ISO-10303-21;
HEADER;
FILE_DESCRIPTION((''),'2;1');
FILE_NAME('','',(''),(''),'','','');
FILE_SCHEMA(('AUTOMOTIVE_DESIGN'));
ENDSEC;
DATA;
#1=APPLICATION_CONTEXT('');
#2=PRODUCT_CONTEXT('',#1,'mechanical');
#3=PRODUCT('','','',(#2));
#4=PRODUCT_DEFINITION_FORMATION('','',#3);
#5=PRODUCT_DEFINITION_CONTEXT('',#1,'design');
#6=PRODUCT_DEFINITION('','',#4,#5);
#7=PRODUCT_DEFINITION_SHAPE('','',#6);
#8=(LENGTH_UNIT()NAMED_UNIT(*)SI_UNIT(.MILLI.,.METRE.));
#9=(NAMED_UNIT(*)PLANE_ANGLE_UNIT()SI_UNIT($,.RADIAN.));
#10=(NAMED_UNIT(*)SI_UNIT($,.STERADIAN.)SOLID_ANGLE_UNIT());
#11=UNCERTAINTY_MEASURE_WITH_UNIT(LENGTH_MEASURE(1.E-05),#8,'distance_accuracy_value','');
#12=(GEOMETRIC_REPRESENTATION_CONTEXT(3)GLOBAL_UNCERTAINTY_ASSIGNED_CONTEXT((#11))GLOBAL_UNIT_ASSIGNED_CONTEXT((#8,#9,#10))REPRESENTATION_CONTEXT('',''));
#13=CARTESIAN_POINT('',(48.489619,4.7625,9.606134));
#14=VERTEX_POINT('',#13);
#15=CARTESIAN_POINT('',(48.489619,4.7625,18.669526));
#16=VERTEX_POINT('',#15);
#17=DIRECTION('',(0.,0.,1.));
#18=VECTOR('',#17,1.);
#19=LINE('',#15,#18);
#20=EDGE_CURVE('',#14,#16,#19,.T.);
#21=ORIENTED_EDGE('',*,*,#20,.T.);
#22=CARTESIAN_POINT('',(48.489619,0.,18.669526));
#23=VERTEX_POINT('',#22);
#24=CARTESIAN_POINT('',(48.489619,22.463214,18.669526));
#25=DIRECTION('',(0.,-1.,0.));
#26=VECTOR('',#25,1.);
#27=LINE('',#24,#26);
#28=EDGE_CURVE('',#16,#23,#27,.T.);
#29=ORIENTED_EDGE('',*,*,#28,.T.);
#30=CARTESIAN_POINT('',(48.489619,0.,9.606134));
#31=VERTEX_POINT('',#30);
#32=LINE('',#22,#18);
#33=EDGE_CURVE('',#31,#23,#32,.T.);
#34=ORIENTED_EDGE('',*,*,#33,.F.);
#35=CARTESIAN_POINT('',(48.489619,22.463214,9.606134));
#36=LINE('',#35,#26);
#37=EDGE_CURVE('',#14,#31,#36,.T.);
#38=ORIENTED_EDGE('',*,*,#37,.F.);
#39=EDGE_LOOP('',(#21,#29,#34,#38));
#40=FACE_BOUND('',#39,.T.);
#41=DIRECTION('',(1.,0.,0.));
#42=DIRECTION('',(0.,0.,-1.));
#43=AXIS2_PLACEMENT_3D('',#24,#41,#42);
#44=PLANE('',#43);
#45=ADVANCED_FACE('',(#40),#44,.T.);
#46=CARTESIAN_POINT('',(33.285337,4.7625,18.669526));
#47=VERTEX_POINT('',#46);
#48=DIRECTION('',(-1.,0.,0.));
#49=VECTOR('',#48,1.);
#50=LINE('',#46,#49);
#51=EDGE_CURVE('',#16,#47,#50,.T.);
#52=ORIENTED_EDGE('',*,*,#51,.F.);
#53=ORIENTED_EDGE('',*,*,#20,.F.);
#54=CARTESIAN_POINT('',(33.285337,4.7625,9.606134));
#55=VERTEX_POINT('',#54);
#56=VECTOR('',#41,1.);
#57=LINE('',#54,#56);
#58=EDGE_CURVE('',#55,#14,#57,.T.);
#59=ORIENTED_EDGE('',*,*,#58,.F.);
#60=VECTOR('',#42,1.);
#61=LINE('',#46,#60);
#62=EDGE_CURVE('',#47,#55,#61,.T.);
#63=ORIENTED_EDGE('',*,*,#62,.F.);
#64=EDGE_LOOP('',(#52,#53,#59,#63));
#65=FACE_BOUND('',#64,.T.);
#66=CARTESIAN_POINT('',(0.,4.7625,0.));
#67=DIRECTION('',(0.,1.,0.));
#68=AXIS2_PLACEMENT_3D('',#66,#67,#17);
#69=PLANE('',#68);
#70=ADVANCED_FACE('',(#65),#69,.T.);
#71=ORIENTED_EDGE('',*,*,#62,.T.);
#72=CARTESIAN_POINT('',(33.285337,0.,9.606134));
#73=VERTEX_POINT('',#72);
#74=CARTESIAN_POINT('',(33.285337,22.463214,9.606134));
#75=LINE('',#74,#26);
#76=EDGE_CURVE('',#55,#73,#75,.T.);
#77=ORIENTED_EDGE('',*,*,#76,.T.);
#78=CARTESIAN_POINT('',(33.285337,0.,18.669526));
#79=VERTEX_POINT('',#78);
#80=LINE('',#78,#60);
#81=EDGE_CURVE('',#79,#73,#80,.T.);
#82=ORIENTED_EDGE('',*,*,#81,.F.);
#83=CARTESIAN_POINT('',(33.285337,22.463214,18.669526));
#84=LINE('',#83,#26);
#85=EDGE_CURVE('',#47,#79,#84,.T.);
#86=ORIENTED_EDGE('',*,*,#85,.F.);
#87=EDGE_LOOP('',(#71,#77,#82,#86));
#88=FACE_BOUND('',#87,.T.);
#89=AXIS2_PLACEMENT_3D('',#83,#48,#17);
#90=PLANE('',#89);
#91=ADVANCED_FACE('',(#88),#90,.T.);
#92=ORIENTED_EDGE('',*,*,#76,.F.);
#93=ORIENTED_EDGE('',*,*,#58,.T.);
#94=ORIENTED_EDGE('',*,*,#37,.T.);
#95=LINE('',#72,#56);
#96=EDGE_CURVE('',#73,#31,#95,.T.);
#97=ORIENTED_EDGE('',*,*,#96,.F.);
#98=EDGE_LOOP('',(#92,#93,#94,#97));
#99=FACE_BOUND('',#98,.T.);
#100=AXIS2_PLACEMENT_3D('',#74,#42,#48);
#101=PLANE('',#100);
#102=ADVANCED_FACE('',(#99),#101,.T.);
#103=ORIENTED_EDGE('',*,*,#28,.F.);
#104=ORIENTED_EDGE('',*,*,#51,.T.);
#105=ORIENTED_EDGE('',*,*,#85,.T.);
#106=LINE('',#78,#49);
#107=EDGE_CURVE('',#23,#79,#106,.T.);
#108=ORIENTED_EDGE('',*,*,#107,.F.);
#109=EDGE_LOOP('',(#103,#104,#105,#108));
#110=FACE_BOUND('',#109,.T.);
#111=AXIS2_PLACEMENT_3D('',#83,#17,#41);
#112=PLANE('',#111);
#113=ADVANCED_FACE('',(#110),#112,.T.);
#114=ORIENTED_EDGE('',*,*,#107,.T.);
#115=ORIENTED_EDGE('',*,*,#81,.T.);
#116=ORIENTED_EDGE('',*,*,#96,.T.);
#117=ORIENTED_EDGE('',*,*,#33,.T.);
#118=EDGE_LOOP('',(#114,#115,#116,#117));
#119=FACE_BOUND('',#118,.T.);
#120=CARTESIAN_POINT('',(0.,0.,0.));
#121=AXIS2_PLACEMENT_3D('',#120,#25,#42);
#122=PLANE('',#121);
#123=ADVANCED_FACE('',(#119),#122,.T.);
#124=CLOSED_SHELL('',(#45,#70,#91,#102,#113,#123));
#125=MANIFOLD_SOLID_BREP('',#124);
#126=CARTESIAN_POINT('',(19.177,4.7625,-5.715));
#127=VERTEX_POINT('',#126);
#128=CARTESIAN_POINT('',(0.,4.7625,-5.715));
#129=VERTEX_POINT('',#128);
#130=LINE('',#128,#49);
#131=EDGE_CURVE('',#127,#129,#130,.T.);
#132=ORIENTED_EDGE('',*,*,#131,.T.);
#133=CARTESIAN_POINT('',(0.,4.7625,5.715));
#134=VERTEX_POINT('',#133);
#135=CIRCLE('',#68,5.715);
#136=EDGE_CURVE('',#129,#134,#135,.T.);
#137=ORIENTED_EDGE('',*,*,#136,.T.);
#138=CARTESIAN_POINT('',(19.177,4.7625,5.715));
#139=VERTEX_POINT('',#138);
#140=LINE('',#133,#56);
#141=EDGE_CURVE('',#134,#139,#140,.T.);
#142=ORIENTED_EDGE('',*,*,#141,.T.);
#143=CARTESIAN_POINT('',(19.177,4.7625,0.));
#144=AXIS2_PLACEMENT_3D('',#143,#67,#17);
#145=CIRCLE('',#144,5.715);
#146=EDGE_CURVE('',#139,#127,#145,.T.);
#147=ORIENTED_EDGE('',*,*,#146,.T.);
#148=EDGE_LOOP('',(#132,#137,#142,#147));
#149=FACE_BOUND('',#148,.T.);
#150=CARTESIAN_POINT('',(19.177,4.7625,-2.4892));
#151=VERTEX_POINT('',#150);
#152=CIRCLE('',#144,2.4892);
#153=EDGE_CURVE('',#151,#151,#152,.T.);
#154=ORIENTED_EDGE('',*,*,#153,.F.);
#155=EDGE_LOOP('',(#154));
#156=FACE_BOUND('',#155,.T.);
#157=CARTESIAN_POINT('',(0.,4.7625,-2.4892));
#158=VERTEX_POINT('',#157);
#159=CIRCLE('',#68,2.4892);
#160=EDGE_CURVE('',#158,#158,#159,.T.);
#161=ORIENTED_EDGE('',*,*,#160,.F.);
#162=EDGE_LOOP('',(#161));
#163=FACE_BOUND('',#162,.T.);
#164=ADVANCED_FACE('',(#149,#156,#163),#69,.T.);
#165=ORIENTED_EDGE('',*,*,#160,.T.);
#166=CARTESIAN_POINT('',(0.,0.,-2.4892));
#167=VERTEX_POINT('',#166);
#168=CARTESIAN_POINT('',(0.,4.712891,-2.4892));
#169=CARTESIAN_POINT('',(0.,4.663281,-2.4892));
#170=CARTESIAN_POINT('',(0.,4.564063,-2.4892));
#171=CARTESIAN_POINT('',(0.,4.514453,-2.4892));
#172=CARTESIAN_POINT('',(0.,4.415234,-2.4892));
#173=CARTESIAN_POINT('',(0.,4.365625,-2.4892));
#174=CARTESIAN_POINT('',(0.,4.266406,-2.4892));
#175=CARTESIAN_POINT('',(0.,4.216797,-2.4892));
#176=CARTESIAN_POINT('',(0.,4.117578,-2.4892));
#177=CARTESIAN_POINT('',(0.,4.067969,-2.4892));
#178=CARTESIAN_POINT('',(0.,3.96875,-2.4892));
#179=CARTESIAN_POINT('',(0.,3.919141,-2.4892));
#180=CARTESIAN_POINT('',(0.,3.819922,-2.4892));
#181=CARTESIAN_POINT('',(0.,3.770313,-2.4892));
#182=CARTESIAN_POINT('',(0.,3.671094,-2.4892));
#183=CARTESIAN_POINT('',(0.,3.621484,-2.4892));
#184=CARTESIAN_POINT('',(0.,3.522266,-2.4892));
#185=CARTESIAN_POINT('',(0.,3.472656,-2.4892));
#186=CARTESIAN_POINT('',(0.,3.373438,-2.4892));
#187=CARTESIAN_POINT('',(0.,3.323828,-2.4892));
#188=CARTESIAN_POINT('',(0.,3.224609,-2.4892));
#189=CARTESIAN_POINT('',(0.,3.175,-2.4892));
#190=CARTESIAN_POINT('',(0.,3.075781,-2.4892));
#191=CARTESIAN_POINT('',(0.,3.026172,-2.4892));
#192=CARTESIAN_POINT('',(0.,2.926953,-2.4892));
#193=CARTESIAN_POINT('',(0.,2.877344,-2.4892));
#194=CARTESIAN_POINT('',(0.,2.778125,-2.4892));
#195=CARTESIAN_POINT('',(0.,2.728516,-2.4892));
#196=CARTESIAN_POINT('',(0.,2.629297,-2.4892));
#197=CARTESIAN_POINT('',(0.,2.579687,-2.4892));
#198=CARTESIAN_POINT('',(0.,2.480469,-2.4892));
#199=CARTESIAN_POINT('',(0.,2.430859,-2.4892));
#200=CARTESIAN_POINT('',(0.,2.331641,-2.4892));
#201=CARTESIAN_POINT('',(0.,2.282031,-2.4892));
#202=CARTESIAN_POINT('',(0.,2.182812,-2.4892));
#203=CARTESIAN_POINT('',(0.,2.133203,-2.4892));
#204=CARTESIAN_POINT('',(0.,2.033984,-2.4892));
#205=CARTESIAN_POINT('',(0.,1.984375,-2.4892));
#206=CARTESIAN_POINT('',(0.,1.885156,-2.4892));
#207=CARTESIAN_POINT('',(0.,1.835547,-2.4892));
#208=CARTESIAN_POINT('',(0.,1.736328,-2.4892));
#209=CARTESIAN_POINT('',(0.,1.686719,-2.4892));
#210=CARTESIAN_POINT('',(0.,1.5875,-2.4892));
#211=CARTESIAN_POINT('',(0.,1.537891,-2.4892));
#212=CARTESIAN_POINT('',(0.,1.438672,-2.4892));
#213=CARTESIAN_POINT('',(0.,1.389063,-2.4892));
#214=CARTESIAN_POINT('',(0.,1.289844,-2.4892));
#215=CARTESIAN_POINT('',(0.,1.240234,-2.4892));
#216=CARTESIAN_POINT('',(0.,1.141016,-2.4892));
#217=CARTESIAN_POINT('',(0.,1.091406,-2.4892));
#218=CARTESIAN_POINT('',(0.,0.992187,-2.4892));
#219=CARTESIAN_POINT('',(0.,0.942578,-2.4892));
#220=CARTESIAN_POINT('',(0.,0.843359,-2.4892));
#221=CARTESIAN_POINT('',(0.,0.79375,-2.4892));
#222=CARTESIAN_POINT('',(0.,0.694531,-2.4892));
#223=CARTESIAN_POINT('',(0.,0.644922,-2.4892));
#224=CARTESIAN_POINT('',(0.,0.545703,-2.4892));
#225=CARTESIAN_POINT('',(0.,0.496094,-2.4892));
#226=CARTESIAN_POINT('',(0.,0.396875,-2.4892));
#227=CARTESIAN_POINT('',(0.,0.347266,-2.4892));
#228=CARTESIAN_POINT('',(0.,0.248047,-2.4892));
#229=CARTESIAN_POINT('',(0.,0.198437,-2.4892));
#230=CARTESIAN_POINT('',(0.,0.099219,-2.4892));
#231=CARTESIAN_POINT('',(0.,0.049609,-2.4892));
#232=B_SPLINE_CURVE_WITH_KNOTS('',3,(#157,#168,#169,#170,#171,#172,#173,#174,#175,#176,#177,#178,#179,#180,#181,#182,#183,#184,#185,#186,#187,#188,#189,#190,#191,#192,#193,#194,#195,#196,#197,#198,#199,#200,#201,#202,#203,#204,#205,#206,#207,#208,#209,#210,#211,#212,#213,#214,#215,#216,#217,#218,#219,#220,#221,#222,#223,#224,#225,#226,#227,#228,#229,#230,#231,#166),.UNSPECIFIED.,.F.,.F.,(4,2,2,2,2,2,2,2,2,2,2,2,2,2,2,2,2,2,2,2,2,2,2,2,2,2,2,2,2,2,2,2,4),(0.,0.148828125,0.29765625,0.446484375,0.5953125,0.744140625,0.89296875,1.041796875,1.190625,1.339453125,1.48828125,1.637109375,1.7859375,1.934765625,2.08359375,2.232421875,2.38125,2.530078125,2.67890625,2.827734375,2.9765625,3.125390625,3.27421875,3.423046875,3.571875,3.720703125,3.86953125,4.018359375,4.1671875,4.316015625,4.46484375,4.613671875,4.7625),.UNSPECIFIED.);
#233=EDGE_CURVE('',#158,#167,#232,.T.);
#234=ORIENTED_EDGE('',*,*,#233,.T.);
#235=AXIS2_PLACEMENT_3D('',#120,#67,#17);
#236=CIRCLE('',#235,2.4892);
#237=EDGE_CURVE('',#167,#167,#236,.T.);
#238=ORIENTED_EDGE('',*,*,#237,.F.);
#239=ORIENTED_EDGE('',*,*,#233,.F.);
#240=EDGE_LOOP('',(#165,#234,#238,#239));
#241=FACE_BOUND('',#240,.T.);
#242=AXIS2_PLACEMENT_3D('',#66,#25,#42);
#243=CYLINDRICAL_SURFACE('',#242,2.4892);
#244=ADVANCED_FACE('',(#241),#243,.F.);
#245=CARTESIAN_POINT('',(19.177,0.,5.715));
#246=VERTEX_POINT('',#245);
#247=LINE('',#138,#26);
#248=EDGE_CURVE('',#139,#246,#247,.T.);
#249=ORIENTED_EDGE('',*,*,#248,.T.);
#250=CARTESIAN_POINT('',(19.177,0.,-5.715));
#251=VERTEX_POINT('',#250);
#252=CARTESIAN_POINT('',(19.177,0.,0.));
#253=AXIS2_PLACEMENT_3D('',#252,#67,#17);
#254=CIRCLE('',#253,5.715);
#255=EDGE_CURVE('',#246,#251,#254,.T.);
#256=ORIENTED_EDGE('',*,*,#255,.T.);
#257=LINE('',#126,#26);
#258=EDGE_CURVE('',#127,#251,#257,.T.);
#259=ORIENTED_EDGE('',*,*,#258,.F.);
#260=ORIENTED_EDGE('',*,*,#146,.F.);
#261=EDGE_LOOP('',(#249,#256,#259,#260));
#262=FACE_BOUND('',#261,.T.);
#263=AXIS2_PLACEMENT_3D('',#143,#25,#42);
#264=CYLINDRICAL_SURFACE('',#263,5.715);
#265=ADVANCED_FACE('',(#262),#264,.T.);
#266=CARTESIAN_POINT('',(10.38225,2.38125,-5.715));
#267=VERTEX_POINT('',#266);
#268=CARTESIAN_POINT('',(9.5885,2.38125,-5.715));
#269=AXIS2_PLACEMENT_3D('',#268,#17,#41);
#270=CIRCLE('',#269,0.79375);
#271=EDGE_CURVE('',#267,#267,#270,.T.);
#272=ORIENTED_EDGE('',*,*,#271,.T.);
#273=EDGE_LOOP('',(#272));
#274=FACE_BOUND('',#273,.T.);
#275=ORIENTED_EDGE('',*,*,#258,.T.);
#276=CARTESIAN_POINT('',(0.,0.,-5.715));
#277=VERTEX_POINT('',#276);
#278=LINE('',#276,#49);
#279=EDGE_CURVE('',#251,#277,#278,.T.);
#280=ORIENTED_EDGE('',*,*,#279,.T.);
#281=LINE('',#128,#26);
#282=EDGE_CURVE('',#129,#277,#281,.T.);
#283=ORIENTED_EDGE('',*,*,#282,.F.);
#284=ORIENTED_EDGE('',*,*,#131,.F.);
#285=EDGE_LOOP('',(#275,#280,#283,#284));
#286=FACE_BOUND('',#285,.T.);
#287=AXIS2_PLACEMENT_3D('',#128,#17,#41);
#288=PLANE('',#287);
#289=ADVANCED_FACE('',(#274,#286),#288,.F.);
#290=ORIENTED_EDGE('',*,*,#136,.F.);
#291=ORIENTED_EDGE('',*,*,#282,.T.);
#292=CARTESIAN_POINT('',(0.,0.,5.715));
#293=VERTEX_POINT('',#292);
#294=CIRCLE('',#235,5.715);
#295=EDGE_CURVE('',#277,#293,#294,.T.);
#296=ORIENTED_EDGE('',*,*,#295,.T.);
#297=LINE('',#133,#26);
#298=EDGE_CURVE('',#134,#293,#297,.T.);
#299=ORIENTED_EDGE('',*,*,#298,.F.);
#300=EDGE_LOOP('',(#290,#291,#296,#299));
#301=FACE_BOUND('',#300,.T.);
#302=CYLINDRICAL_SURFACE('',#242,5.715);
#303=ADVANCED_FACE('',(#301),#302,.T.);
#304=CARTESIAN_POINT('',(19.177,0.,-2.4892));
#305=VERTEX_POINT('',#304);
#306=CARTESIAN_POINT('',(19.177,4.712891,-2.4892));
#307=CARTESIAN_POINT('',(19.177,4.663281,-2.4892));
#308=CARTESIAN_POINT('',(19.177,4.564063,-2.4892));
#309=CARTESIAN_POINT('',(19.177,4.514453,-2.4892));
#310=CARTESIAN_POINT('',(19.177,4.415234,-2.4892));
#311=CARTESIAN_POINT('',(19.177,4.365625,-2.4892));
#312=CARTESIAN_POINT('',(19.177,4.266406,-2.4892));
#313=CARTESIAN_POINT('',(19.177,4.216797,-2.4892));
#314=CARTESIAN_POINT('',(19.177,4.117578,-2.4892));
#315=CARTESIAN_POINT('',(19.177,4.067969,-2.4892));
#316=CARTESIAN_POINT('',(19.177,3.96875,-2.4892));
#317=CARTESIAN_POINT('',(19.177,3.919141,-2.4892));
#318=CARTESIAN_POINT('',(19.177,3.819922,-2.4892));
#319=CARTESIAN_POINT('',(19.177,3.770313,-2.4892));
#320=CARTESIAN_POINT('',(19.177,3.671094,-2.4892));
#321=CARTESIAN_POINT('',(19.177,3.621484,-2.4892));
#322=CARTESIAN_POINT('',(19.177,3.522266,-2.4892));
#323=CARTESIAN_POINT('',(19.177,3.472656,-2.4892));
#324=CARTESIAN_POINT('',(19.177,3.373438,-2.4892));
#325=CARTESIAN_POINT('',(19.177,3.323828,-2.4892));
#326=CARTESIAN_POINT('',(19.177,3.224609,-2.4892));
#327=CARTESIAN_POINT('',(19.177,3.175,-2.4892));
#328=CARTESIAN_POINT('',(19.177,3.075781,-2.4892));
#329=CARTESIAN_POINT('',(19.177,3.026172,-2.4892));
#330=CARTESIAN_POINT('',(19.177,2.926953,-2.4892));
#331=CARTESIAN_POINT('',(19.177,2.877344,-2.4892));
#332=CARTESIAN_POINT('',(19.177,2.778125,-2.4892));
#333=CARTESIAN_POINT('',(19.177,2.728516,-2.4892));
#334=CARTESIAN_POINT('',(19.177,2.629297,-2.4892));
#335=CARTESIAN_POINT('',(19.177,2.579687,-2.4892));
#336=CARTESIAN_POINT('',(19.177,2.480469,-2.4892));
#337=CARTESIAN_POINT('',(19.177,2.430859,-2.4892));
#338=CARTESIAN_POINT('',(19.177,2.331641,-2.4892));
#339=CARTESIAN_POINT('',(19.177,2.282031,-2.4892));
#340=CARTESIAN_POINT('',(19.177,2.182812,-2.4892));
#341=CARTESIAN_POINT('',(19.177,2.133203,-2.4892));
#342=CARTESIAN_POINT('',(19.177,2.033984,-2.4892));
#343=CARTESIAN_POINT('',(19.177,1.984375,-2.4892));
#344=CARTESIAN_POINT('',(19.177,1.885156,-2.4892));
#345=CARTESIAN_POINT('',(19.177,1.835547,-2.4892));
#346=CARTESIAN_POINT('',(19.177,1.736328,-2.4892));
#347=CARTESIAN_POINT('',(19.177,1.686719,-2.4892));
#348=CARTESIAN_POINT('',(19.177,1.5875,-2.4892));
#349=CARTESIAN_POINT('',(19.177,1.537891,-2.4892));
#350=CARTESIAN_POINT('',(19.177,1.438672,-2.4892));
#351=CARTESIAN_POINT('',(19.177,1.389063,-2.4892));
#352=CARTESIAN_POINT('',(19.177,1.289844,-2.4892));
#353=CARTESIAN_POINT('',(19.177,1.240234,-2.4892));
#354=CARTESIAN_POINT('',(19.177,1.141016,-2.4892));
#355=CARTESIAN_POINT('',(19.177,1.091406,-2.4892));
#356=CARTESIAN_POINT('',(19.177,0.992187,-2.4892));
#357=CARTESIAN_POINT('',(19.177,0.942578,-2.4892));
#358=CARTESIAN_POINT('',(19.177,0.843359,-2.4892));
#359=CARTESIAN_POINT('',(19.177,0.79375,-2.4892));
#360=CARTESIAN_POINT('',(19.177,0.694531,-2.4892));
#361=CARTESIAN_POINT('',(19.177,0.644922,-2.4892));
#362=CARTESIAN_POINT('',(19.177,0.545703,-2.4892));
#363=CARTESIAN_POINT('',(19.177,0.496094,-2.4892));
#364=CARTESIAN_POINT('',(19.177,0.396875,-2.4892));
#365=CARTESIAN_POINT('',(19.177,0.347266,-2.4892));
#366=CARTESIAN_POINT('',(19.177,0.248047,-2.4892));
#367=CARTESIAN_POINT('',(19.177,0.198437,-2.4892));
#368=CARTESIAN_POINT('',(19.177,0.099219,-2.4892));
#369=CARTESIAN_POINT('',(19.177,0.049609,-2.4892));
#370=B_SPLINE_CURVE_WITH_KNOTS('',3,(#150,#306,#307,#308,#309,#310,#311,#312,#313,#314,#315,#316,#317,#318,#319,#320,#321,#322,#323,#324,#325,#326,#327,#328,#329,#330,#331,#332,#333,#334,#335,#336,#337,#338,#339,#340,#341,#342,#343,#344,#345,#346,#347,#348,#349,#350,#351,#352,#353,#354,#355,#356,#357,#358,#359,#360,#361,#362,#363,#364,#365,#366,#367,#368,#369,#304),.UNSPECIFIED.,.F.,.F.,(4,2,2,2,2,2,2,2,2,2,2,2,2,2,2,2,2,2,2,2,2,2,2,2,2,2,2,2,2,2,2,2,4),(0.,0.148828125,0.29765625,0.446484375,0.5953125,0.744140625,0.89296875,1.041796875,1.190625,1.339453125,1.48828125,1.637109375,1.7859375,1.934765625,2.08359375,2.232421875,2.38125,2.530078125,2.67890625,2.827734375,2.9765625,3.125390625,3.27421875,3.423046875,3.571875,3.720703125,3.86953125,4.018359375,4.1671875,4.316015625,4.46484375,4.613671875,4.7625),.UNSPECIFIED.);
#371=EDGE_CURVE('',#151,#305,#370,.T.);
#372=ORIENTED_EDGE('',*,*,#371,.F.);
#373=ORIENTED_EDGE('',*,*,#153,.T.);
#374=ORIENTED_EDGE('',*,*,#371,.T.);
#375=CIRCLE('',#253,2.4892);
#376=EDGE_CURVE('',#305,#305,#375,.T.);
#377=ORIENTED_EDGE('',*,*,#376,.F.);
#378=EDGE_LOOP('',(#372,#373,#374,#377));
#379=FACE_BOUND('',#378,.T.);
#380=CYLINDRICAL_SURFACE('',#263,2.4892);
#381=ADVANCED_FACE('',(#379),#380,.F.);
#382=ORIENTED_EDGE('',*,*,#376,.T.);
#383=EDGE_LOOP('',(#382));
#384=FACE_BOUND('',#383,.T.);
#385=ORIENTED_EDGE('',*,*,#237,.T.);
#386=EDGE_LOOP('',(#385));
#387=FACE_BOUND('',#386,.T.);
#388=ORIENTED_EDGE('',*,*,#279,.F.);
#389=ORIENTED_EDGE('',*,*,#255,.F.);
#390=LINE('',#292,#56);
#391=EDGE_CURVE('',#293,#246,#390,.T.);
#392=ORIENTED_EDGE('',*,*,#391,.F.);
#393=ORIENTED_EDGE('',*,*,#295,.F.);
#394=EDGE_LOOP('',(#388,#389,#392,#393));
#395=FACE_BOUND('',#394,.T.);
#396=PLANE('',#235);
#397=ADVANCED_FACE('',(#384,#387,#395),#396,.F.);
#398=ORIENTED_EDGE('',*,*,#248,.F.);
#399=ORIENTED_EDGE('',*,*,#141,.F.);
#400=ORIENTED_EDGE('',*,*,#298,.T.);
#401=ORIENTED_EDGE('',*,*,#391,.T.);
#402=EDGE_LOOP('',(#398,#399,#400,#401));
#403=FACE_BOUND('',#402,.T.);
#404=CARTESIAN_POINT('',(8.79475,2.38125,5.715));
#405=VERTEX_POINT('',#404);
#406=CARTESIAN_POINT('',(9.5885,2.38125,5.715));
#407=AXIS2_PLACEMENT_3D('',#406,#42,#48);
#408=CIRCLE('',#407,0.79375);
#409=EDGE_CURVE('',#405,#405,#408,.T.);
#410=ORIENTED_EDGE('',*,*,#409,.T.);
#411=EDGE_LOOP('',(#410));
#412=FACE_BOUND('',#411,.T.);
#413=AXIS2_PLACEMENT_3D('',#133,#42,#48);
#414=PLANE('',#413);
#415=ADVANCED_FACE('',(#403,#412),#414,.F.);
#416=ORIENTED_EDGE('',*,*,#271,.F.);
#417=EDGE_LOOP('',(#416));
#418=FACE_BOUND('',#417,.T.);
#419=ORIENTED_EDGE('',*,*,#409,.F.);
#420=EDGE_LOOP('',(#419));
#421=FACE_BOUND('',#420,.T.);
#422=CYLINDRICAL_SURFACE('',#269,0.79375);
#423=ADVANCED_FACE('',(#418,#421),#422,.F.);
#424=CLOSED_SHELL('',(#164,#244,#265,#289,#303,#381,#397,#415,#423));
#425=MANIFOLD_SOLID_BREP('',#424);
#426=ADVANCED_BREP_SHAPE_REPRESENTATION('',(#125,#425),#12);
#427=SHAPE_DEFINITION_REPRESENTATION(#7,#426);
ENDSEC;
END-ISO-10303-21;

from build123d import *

# Parameters (mm, degrees)
SKETCH4_R               = 2.4892
BOSS_EXTRUDE1_DEPTH     = 4.7625
CUT_EXTRUDE4_DEPTH      = 28.801761999
CUT_EXTRUDE4_DEPTH_BACK = 28.801761999
SKETCH5_R               = 0.79375
SKETCH6_W               = 15.204282165
SKETCH6_H               = 9.063392152
BOSS_EXTRUDE2_DEPTH     = 4.7625


with BuildPart() as part:
    # Sketch4 → Boss-Extrude1 (new body)
    with BuildSketch(Plane(origin=(0, 0, 0), x_dir=(1, 0, 0), z_dir=(0, 1, 0))):
        with BuildLine():
            Line((0, 5.715), (19.177, 5.715))
            ThreePointArc((19.177, 5.715), (24.892, 0), (19.177, -5.715))
            Line((19.177, -5.715), (0, -5.715))
            ThreePointArc((0, -5.715), (-5.715, 0), (0, 5.715))
        make_face()
        with Locations(Location((0, 0, 0), (0, 0, 90))):
            Circle(SKETCH4_R, mode=Mode.SUBTRACT)
        with Locations(Location((19.177, 0, 0), (0, 0, 90))):
            Circle(SKETCH4_R, mode=Mode.SUBTRACT)
    extrude(amount=BOSS_EXTRUDE1_DEPTH)

    # Sketch5 → Cut-Extrude4 (cut, two sides: drawn at the far end of the back side and taken through both)
    with BuildSketch(Plane.XY.offset(5.715).offset(-CUT_EXTRUDE4_DEPTH_BACK)):
        with Locations((9.5885, 2.38125)):
            Circle(SKETCH5_R)
    extrude(amount=CUT_EXTRUDE4_DEPTH + CUT_EXTRUDE4_DEPTH_BACK, mode=Mode.SUBTRACT)


with BuildPart() as body_2:
    # Sketch6 → Boss-Extrude2 (new body)
    with BuildSketch(Plane.XZ):
        with Locations((40.887477958, 14.137829709)):
            Rectangle(SKETCH6_W, SKETCH6_H)
    extrude(amount=-BOSS_EXTRUDE2_DEPTH)


solid = Compound([part.part, body_2.part])
